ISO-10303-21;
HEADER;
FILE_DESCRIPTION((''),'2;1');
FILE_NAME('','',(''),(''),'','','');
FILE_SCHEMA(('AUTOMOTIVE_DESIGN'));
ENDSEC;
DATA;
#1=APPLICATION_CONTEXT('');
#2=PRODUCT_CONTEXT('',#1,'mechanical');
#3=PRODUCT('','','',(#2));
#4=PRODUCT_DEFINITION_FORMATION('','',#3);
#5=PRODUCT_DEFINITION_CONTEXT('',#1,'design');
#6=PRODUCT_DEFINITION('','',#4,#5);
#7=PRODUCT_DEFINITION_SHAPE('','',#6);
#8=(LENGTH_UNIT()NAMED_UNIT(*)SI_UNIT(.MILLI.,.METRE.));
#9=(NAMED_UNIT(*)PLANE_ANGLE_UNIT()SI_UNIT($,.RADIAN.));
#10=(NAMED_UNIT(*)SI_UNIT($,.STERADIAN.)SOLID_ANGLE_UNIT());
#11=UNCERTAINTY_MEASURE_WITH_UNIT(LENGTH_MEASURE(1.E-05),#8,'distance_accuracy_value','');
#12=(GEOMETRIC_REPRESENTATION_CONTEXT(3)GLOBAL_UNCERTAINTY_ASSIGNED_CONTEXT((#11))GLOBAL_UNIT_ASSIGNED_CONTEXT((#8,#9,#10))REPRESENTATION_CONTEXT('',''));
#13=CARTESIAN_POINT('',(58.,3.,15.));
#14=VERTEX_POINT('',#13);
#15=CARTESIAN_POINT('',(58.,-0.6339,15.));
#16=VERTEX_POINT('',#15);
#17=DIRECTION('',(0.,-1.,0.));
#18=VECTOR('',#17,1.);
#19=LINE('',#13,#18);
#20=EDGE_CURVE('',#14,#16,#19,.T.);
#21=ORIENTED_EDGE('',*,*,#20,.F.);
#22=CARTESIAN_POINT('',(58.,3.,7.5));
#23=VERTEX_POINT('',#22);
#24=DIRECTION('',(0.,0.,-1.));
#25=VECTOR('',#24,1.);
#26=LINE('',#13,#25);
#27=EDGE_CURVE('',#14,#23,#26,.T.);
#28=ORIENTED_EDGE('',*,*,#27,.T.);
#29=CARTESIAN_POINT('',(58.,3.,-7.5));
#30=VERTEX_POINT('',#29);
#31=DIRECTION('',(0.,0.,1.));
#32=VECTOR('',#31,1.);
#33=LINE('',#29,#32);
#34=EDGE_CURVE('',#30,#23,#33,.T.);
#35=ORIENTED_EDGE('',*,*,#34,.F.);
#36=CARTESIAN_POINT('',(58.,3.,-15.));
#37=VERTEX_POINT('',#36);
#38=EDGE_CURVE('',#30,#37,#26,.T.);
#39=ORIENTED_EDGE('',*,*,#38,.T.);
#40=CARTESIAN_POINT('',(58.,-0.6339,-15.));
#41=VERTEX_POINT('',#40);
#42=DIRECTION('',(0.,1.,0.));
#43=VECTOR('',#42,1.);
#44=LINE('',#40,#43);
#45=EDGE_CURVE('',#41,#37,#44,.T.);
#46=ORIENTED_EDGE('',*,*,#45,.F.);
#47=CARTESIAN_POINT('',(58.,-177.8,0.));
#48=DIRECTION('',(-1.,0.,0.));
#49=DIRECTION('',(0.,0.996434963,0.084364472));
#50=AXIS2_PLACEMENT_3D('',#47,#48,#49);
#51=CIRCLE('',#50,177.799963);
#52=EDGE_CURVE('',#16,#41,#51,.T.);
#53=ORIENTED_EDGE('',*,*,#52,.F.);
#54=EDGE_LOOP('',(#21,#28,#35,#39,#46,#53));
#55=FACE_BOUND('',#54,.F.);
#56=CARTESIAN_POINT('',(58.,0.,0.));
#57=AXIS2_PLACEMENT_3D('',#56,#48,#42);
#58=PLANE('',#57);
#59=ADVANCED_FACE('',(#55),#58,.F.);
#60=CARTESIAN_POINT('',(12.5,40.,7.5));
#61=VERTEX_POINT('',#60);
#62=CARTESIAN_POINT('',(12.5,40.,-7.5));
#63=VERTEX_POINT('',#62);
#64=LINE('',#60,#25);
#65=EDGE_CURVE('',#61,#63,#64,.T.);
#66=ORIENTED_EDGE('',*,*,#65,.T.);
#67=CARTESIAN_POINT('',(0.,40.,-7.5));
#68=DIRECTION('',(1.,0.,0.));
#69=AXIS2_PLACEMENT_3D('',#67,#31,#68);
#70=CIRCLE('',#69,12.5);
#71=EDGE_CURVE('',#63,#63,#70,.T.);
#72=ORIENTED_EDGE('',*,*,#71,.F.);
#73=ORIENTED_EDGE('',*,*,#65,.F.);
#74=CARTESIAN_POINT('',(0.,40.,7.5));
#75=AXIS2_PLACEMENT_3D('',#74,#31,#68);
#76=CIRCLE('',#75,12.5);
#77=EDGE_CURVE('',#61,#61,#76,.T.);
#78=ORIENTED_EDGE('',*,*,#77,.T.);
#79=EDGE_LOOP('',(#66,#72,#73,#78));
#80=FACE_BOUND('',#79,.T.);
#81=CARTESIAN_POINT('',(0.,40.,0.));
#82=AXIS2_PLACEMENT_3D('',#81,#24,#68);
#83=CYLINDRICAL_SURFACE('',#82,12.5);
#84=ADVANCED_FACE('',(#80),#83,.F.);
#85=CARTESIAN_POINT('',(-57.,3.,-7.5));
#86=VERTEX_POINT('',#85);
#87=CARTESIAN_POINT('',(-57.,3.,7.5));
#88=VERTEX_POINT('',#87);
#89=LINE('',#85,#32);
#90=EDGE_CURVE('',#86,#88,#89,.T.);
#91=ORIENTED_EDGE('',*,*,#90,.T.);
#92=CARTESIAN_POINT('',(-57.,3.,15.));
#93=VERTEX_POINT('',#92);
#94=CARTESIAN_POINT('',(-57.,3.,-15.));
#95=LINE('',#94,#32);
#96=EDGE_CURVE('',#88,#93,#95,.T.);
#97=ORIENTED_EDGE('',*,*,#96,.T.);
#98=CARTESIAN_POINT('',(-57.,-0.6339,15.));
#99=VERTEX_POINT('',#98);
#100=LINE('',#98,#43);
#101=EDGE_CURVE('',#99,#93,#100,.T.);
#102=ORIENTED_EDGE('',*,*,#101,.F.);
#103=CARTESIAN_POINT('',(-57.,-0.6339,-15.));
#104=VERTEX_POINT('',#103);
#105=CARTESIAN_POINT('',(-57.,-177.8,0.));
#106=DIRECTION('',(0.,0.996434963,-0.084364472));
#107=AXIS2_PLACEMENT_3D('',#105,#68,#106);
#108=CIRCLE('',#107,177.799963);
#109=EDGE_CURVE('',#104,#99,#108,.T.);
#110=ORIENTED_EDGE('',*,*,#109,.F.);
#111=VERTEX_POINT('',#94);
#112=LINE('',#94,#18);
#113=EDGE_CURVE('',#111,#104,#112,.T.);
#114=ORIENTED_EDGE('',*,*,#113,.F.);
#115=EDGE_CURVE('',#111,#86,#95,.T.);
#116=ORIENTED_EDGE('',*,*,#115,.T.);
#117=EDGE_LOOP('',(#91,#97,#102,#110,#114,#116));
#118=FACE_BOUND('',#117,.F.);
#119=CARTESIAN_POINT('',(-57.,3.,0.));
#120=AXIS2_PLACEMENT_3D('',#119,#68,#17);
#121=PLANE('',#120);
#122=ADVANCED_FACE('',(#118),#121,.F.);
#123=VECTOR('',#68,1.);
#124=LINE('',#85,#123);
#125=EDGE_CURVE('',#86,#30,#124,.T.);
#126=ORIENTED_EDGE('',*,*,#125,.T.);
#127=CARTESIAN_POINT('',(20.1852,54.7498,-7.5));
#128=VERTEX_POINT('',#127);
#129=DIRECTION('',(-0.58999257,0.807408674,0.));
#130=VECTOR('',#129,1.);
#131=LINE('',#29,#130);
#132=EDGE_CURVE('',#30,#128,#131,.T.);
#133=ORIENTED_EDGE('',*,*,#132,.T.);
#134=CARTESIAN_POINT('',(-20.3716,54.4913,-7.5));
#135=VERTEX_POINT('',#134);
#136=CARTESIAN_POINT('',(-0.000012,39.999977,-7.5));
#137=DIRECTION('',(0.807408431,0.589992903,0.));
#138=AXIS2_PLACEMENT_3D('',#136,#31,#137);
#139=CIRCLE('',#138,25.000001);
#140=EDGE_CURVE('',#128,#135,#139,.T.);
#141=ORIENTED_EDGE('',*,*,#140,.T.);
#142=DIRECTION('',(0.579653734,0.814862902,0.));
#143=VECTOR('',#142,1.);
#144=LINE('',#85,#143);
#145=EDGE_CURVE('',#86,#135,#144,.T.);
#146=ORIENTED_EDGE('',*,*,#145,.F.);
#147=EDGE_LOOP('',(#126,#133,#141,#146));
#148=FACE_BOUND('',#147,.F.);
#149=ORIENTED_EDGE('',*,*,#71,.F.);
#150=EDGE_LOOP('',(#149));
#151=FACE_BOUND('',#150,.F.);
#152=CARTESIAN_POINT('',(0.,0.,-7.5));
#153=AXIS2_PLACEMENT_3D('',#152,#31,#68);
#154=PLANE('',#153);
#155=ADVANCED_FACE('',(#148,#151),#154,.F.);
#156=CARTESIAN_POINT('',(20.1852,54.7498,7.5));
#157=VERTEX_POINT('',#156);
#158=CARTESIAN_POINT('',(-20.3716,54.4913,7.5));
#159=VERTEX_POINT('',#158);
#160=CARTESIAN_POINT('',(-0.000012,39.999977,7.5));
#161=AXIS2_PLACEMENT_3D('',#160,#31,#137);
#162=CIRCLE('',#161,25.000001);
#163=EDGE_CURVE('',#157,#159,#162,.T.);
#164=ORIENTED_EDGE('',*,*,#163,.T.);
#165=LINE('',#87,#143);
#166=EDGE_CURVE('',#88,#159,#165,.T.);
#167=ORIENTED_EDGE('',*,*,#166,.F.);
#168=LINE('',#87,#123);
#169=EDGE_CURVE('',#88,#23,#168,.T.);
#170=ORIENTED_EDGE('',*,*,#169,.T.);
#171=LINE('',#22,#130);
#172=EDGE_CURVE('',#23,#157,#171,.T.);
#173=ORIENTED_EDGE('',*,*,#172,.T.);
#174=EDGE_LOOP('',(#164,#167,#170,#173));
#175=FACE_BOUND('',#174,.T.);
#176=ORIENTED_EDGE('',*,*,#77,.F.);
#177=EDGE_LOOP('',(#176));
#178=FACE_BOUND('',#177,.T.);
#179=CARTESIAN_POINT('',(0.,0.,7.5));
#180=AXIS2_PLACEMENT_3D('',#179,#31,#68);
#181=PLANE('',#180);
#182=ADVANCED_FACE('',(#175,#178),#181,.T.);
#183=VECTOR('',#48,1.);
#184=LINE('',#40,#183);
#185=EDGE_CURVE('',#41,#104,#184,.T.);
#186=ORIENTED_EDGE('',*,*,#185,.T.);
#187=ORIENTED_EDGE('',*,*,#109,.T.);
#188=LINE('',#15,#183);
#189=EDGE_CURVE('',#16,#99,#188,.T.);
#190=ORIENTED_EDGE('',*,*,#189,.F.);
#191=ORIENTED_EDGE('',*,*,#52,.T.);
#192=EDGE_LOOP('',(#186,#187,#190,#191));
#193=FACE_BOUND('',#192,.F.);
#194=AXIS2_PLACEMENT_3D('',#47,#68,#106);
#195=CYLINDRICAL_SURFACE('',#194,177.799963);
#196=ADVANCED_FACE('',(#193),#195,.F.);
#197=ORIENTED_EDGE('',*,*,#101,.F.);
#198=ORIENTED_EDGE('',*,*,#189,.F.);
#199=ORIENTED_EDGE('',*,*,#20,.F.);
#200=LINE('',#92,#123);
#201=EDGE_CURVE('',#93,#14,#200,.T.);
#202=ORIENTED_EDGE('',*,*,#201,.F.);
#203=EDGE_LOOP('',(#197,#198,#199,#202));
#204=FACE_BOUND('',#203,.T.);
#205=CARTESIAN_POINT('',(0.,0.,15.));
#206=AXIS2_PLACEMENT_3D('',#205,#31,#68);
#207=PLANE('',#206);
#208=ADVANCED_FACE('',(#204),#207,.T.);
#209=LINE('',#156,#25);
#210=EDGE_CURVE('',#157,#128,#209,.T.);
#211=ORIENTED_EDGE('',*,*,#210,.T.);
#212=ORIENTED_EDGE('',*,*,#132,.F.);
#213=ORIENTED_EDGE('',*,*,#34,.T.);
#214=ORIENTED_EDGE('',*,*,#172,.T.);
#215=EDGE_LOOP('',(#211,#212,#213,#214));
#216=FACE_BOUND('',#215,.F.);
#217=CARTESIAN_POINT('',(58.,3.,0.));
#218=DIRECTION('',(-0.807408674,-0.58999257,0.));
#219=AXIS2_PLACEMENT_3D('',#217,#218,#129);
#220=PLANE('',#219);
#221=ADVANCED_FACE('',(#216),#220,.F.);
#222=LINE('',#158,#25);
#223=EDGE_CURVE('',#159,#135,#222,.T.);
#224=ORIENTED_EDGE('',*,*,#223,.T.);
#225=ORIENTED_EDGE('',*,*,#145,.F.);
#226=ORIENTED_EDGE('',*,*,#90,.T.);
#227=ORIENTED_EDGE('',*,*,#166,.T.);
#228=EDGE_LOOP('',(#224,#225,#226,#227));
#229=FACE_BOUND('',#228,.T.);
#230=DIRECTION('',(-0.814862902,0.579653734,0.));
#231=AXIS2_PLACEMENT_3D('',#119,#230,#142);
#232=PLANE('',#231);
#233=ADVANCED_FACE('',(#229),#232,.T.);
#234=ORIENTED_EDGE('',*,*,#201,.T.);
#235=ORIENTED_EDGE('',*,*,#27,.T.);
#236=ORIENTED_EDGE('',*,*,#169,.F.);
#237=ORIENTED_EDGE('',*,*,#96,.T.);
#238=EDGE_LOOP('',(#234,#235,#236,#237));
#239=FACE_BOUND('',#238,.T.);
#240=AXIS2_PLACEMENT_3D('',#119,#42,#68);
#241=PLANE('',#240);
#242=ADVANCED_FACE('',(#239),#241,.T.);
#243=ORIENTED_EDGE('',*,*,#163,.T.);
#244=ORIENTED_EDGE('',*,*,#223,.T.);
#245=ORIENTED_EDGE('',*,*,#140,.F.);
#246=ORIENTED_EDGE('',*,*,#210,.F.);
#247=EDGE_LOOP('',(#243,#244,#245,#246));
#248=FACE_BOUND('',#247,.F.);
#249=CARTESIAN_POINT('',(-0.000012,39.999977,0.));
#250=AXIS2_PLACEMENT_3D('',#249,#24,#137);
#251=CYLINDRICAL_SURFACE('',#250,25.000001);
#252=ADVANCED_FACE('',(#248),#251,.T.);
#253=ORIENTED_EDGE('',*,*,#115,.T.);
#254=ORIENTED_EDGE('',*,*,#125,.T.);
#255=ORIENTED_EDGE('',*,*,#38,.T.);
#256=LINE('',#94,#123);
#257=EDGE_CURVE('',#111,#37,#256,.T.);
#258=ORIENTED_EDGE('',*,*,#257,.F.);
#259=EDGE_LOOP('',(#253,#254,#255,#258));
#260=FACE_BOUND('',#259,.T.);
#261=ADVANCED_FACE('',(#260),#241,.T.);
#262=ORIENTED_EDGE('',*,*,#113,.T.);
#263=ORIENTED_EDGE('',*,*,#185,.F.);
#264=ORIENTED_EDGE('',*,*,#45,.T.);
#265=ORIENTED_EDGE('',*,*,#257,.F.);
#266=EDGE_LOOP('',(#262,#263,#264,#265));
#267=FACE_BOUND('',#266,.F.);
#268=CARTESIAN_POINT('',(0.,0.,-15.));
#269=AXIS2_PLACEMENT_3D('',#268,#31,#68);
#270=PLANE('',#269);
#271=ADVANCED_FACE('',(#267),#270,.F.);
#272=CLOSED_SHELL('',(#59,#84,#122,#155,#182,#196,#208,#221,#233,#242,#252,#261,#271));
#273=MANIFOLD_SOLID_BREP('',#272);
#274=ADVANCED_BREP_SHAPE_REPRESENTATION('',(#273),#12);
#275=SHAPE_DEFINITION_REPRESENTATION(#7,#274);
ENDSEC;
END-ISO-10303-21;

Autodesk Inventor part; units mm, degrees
ref_plane "YZ Plane" through (0, 0, 0) normal (1, 0, 0) x (0, 1, 0)
ref_plane "XZ Plane" through (0, 0, 0) normal (0, 1, 0) x (-1, 0, 0)
ref_plane "XY Plane" through (0, 0, 0) normal (0, 0, 1) x (1, 0, 0)
sketch "Sketch1" plane through (0, 0, 0) normal (0, 0, 1) x (1, 0, 0)
  line L0 (0, 0) -> (-57, 0)
  line L1 (0, 0) -> (58, 0)
  circle A0 centre (0, 40) radius 12.5
  arc A1 (20.1852, 54.7498) -> (-20.3716, 54.4913) centre (0, 40) ccw
  line L2 (-57, 0) -> (-57, 3)
  line L3 (-57, 3) -> (-20.3716, 54.4913)
  line L4 (58, 0) -> (58, 3)
  line L5 (58, 3) -> (20.1852, 54.7498)
  line L6 (-57, 3) -> (58, 3)
  point P0 (29, 0)
  dimension "d0" = 57
  dimension "d1" = 58
  dimension "d3" = 25
  dimension "d4" = 50
  dimension "d5" = 40
  dimension "d6" = 3
  dimension "d7" = 3
extrude "Extrusion1" add sketch "Sketch1" along normal mid plane 15 contours L3 A1 L5 L6
sketch "Sketch2" plane through (0, 0, 0) normal (0, 0, 1) x (1, 0, 0)
  line L0 (-57, 3) -> (58, 3) projected
  line L1 (-57, 3) -> (-57, 0)
  line L2 (-57, 0) -> (58, 0)
  line L3 (58, 0) -> (58, 3)
  point P0 (0, 0)
  point P1 (0.5, 0)
extrude "Extrusion2" add sketch "Sketch2" along normal mid plane 30
sketch "Sketch3" plane through (58, 0, 15) normal (1, 0, 0) x (0, 0, -1)
  arc A0 (30, -0.6339) -> (0, -0.6339) centre (15, -177.8) ccw
  line L0 (0, 0) -> (30, 0) projected
  line L1 (30, 0) -> (30, -0.6339)
  line L2 (0, 0) -> (0, -0.6339)
  point P0 (15, 0)
  point P1 (15, 0)
  dimension "d13" = 355.6
extrude "Extrusion3" add sketch "Sketch3" against normal up to surface (115 mm away)
properties part number "Lifting Lug" material "Steel ASTM A36"
